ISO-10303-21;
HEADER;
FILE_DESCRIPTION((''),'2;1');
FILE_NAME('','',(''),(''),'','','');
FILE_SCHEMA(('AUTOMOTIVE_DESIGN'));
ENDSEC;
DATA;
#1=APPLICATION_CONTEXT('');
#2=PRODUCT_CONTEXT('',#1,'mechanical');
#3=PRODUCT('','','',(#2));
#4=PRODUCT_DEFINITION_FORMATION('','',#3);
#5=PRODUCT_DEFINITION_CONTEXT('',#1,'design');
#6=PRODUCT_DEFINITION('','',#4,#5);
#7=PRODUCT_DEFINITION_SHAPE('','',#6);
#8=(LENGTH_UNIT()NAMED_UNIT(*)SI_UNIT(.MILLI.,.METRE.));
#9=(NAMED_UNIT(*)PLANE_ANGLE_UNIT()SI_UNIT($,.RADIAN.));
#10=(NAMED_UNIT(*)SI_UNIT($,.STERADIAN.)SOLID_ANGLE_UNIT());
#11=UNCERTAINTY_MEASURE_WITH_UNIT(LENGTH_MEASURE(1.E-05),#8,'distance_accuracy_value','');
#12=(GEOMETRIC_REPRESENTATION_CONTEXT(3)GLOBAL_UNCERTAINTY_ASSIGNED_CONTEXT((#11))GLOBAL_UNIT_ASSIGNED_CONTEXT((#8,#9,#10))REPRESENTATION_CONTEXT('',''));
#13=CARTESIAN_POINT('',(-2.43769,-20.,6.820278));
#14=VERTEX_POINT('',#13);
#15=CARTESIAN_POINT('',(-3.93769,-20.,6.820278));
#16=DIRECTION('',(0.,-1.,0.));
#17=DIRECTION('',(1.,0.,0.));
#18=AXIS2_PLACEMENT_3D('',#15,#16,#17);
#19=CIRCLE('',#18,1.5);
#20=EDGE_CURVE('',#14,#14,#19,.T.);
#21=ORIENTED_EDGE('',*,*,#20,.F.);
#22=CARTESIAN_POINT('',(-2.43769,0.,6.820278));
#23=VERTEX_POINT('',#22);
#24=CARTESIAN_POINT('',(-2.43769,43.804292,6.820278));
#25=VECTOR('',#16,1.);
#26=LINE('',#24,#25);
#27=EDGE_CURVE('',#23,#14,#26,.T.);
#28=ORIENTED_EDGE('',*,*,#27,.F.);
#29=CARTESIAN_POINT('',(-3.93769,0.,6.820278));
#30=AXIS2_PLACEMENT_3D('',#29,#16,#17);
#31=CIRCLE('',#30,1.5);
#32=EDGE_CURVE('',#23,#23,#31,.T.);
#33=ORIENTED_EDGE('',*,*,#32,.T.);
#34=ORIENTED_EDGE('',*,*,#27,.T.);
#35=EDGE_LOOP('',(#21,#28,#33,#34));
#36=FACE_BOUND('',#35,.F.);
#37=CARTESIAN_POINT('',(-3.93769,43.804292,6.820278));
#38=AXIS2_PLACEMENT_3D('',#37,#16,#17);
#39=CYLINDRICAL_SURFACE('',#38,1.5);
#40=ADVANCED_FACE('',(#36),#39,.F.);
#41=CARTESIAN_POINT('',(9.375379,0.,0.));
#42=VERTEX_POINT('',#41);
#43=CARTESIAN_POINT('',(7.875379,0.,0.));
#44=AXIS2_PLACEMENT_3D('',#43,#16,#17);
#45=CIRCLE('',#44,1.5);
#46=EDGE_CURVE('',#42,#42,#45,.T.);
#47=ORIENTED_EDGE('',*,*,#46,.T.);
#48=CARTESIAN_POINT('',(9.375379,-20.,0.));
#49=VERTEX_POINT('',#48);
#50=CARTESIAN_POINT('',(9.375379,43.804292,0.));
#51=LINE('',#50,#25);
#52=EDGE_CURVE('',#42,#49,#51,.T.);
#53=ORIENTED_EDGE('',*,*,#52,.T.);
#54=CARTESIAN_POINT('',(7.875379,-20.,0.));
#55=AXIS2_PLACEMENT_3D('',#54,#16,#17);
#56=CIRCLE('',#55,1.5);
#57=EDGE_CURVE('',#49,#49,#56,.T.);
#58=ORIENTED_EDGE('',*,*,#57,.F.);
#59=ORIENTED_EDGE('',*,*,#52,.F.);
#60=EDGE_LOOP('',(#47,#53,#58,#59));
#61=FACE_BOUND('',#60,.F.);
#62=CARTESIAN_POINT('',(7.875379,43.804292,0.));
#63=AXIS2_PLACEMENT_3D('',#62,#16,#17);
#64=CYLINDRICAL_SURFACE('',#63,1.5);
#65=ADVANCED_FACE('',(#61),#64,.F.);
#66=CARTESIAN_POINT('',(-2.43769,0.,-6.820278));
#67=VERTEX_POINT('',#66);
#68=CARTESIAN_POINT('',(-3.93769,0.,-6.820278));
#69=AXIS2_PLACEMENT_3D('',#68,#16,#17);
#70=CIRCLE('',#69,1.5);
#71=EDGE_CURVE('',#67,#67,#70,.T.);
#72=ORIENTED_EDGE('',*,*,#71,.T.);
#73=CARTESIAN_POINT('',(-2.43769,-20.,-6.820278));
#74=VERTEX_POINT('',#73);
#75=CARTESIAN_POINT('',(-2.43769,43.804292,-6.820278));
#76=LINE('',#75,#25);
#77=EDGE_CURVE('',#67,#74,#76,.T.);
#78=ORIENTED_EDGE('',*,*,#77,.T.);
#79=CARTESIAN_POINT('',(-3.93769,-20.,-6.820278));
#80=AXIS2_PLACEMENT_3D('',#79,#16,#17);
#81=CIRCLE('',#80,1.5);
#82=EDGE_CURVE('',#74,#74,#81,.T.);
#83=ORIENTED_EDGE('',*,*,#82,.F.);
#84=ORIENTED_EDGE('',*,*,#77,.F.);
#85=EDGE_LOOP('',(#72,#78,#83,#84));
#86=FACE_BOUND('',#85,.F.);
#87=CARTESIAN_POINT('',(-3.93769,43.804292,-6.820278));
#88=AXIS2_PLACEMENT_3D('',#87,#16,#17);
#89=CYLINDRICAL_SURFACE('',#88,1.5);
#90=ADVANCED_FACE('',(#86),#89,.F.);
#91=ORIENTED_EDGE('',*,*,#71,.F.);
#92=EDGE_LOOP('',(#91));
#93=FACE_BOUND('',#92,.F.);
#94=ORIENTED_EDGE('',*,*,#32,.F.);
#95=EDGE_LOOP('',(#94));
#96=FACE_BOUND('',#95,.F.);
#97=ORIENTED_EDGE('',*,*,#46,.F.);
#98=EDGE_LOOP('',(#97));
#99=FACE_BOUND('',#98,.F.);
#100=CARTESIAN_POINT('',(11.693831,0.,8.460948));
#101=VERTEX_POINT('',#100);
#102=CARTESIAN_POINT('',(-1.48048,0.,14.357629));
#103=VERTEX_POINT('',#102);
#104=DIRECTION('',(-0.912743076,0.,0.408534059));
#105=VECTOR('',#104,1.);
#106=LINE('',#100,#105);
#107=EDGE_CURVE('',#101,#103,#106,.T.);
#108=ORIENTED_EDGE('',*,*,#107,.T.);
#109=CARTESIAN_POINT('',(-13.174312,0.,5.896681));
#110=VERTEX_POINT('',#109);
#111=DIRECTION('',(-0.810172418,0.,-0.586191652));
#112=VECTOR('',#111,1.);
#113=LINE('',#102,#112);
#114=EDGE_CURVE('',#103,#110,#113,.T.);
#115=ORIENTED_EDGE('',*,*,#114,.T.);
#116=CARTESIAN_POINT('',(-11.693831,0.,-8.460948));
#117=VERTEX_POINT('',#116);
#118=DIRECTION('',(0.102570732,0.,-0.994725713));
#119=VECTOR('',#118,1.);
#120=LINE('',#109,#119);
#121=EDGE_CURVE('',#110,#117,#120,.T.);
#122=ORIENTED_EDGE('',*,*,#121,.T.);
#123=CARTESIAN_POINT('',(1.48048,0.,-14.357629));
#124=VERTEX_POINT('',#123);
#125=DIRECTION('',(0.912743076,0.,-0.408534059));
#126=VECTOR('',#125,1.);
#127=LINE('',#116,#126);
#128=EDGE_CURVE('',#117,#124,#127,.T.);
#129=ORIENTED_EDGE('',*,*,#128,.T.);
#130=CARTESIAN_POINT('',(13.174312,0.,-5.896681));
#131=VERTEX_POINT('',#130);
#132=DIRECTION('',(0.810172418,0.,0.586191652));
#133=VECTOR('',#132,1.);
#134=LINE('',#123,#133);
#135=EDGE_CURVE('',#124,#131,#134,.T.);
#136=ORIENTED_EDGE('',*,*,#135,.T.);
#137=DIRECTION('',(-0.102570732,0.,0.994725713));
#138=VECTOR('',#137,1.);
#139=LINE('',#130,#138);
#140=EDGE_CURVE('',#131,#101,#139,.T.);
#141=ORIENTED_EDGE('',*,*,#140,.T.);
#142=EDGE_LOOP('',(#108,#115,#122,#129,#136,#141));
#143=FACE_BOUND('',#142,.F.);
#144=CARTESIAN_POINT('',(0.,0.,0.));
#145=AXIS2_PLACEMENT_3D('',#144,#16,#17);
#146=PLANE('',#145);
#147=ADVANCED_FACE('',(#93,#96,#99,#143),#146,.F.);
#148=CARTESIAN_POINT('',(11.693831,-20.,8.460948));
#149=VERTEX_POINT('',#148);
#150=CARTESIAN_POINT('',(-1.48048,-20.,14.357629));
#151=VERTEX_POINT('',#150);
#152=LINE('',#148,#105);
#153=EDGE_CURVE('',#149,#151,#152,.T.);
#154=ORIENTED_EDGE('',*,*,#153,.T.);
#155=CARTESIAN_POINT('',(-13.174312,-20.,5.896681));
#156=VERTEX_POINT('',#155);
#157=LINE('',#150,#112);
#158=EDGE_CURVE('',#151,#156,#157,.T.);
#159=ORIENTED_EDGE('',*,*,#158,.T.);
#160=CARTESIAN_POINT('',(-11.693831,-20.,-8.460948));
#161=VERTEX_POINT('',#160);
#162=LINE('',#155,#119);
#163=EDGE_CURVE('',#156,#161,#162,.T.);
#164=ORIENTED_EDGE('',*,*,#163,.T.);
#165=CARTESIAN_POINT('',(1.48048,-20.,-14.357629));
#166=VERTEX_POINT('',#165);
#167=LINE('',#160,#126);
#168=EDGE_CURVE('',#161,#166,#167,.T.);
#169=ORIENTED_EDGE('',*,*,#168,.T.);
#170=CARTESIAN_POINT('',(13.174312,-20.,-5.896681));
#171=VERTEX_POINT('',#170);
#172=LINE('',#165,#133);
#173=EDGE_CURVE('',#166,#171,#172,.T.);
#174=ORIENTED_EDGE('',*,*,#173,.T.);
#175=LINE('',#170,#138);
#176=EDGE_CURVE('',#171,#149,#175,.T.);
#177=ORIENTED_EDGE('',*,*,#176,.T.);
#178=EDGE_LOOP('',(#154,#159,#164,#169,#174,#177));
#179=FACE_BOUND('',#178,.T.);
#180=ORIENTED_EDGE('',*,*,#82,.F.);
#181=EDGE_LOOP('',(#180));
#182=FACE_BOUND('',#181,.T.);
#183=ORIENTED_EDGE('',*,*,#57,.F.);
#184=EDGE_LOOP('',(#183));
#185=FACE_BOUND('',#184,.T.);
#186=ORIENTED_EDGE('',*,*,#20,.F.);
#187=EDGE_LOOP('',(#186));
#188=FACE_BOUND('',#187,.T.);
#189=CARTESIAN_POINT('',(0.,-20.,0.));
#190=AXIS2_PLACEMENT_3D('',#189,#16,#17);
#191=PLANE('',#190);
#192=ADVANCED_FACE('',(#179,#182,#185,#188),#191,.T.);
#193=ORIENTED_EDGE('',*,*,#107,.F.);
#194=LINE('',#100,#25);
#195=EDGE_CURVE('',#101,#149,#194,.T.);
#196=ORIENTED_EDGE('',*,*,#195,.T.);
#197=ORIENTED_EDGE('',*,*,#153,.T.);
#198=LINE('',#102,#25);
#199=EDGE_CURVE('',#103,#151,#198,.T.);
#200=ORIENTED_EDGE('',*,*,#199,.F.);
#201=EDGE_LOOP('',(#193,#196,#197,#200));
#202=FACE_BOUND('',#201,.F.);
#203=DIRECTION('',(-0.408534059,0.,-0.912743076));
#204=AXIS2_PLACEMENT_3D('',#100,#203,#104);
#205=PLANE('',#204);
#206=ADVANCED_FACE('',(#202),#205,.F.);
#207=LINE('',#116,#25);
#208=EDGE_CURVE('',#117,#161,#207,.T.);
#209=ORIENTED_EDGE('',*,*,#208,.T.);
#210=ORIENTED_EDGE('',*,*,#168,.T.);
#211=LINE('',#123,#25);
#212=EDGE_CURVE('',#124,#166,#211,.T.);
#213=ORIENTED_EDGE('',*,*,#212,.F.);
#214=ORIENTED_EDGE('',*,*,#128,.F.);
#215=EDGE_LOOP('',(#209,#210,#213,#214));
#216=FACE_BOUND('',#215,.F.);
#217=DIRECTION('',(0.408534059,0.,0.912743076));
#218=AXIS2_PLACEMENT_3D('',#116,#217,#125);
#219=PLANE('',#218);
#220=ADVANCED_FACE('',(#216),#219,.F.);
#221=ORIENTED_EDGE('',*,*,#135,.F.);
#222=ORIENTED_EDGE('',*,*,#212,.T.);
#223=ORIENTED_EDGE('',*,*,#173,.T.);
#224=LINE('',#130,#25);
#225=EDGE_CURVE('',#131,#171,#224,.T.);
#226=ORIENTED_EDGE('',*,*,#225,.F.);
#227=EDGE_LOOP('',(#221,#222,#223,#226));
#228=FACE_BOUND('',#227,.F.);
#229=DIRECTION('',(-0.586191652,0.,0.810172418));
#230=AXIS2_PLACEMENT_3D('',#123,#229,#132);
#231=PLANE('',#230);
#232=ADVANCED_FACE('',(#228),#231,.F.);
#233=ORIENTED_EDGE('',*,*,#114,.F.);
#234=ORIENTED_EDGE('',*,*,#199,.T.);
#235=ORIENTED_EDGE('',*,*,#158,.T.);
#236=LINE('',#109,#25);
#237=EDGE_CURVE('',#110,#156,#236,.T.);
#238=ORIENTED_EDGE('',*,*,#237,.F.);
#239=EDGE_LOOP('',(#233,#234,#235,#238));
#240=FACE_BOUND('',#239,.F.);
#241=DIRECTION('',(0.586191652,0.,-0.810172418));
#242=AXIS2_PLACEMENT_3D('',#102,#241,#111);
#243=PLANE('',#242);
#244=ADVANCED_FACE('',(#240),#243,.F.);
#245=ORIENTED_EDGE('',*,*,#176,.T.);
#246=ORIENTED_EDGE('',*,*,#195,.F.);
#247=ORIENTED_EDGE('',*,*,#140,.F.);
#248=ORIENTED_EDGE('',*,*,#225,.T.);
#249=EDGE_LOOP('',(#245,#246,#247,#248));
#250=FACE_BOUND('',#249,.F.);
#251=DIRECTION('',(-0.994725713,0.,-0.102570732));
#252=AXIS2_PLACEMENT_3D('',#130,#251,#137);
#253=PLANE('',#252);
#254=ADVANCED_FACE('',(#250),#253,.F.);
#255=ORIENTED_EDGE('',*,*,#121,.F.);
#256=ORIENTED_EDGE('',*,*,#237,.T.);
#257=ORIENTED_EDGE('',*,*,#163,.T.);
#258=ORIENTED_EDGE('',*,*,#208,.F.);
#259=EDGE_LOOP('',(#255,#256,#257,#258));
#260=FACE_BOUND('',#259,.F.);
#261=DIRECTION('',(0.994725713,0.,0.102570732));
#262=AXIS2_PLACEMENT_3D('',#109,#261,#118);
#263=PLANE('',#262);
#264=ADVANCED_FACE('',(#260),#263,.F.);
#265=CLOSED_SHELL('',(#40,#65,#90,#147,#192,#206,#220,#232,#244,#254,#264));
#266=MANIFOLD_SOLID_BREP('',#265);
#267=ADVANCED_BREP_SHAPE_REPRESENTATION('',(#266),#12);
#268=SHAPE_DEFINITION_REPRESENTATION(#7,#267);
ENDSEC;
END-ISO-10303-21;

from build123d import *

# Parameters (mm, degrees)
F1_DEPTH = 20
F3_D     = 3


with BuildPart() as f1:
    # F0 (on Front) → F1 (new body)
    with BuildSketch(Plane.XZ):
        Polygon((1.48048, -14.357629), (13.174312, -5.896681), (11.693831, 8.460948), (-1.48048, 14.357629), (-13.174312, 5.896681), (-11.693831, -8.460948), align=None)
    extrude(amount=F1_DEPTH)

    # F3 (through all)
    with Locations(Plane(origin=(0, 0, 0), x_dir=(-1, 0, 0), z_dir=(0, 1, 0))):
        with Locations((3.93769, -6.820278), (3.93769, 6.820278), (-7.875379, 0)):
            Hole(F3_D / 2)


solid = f1.part
